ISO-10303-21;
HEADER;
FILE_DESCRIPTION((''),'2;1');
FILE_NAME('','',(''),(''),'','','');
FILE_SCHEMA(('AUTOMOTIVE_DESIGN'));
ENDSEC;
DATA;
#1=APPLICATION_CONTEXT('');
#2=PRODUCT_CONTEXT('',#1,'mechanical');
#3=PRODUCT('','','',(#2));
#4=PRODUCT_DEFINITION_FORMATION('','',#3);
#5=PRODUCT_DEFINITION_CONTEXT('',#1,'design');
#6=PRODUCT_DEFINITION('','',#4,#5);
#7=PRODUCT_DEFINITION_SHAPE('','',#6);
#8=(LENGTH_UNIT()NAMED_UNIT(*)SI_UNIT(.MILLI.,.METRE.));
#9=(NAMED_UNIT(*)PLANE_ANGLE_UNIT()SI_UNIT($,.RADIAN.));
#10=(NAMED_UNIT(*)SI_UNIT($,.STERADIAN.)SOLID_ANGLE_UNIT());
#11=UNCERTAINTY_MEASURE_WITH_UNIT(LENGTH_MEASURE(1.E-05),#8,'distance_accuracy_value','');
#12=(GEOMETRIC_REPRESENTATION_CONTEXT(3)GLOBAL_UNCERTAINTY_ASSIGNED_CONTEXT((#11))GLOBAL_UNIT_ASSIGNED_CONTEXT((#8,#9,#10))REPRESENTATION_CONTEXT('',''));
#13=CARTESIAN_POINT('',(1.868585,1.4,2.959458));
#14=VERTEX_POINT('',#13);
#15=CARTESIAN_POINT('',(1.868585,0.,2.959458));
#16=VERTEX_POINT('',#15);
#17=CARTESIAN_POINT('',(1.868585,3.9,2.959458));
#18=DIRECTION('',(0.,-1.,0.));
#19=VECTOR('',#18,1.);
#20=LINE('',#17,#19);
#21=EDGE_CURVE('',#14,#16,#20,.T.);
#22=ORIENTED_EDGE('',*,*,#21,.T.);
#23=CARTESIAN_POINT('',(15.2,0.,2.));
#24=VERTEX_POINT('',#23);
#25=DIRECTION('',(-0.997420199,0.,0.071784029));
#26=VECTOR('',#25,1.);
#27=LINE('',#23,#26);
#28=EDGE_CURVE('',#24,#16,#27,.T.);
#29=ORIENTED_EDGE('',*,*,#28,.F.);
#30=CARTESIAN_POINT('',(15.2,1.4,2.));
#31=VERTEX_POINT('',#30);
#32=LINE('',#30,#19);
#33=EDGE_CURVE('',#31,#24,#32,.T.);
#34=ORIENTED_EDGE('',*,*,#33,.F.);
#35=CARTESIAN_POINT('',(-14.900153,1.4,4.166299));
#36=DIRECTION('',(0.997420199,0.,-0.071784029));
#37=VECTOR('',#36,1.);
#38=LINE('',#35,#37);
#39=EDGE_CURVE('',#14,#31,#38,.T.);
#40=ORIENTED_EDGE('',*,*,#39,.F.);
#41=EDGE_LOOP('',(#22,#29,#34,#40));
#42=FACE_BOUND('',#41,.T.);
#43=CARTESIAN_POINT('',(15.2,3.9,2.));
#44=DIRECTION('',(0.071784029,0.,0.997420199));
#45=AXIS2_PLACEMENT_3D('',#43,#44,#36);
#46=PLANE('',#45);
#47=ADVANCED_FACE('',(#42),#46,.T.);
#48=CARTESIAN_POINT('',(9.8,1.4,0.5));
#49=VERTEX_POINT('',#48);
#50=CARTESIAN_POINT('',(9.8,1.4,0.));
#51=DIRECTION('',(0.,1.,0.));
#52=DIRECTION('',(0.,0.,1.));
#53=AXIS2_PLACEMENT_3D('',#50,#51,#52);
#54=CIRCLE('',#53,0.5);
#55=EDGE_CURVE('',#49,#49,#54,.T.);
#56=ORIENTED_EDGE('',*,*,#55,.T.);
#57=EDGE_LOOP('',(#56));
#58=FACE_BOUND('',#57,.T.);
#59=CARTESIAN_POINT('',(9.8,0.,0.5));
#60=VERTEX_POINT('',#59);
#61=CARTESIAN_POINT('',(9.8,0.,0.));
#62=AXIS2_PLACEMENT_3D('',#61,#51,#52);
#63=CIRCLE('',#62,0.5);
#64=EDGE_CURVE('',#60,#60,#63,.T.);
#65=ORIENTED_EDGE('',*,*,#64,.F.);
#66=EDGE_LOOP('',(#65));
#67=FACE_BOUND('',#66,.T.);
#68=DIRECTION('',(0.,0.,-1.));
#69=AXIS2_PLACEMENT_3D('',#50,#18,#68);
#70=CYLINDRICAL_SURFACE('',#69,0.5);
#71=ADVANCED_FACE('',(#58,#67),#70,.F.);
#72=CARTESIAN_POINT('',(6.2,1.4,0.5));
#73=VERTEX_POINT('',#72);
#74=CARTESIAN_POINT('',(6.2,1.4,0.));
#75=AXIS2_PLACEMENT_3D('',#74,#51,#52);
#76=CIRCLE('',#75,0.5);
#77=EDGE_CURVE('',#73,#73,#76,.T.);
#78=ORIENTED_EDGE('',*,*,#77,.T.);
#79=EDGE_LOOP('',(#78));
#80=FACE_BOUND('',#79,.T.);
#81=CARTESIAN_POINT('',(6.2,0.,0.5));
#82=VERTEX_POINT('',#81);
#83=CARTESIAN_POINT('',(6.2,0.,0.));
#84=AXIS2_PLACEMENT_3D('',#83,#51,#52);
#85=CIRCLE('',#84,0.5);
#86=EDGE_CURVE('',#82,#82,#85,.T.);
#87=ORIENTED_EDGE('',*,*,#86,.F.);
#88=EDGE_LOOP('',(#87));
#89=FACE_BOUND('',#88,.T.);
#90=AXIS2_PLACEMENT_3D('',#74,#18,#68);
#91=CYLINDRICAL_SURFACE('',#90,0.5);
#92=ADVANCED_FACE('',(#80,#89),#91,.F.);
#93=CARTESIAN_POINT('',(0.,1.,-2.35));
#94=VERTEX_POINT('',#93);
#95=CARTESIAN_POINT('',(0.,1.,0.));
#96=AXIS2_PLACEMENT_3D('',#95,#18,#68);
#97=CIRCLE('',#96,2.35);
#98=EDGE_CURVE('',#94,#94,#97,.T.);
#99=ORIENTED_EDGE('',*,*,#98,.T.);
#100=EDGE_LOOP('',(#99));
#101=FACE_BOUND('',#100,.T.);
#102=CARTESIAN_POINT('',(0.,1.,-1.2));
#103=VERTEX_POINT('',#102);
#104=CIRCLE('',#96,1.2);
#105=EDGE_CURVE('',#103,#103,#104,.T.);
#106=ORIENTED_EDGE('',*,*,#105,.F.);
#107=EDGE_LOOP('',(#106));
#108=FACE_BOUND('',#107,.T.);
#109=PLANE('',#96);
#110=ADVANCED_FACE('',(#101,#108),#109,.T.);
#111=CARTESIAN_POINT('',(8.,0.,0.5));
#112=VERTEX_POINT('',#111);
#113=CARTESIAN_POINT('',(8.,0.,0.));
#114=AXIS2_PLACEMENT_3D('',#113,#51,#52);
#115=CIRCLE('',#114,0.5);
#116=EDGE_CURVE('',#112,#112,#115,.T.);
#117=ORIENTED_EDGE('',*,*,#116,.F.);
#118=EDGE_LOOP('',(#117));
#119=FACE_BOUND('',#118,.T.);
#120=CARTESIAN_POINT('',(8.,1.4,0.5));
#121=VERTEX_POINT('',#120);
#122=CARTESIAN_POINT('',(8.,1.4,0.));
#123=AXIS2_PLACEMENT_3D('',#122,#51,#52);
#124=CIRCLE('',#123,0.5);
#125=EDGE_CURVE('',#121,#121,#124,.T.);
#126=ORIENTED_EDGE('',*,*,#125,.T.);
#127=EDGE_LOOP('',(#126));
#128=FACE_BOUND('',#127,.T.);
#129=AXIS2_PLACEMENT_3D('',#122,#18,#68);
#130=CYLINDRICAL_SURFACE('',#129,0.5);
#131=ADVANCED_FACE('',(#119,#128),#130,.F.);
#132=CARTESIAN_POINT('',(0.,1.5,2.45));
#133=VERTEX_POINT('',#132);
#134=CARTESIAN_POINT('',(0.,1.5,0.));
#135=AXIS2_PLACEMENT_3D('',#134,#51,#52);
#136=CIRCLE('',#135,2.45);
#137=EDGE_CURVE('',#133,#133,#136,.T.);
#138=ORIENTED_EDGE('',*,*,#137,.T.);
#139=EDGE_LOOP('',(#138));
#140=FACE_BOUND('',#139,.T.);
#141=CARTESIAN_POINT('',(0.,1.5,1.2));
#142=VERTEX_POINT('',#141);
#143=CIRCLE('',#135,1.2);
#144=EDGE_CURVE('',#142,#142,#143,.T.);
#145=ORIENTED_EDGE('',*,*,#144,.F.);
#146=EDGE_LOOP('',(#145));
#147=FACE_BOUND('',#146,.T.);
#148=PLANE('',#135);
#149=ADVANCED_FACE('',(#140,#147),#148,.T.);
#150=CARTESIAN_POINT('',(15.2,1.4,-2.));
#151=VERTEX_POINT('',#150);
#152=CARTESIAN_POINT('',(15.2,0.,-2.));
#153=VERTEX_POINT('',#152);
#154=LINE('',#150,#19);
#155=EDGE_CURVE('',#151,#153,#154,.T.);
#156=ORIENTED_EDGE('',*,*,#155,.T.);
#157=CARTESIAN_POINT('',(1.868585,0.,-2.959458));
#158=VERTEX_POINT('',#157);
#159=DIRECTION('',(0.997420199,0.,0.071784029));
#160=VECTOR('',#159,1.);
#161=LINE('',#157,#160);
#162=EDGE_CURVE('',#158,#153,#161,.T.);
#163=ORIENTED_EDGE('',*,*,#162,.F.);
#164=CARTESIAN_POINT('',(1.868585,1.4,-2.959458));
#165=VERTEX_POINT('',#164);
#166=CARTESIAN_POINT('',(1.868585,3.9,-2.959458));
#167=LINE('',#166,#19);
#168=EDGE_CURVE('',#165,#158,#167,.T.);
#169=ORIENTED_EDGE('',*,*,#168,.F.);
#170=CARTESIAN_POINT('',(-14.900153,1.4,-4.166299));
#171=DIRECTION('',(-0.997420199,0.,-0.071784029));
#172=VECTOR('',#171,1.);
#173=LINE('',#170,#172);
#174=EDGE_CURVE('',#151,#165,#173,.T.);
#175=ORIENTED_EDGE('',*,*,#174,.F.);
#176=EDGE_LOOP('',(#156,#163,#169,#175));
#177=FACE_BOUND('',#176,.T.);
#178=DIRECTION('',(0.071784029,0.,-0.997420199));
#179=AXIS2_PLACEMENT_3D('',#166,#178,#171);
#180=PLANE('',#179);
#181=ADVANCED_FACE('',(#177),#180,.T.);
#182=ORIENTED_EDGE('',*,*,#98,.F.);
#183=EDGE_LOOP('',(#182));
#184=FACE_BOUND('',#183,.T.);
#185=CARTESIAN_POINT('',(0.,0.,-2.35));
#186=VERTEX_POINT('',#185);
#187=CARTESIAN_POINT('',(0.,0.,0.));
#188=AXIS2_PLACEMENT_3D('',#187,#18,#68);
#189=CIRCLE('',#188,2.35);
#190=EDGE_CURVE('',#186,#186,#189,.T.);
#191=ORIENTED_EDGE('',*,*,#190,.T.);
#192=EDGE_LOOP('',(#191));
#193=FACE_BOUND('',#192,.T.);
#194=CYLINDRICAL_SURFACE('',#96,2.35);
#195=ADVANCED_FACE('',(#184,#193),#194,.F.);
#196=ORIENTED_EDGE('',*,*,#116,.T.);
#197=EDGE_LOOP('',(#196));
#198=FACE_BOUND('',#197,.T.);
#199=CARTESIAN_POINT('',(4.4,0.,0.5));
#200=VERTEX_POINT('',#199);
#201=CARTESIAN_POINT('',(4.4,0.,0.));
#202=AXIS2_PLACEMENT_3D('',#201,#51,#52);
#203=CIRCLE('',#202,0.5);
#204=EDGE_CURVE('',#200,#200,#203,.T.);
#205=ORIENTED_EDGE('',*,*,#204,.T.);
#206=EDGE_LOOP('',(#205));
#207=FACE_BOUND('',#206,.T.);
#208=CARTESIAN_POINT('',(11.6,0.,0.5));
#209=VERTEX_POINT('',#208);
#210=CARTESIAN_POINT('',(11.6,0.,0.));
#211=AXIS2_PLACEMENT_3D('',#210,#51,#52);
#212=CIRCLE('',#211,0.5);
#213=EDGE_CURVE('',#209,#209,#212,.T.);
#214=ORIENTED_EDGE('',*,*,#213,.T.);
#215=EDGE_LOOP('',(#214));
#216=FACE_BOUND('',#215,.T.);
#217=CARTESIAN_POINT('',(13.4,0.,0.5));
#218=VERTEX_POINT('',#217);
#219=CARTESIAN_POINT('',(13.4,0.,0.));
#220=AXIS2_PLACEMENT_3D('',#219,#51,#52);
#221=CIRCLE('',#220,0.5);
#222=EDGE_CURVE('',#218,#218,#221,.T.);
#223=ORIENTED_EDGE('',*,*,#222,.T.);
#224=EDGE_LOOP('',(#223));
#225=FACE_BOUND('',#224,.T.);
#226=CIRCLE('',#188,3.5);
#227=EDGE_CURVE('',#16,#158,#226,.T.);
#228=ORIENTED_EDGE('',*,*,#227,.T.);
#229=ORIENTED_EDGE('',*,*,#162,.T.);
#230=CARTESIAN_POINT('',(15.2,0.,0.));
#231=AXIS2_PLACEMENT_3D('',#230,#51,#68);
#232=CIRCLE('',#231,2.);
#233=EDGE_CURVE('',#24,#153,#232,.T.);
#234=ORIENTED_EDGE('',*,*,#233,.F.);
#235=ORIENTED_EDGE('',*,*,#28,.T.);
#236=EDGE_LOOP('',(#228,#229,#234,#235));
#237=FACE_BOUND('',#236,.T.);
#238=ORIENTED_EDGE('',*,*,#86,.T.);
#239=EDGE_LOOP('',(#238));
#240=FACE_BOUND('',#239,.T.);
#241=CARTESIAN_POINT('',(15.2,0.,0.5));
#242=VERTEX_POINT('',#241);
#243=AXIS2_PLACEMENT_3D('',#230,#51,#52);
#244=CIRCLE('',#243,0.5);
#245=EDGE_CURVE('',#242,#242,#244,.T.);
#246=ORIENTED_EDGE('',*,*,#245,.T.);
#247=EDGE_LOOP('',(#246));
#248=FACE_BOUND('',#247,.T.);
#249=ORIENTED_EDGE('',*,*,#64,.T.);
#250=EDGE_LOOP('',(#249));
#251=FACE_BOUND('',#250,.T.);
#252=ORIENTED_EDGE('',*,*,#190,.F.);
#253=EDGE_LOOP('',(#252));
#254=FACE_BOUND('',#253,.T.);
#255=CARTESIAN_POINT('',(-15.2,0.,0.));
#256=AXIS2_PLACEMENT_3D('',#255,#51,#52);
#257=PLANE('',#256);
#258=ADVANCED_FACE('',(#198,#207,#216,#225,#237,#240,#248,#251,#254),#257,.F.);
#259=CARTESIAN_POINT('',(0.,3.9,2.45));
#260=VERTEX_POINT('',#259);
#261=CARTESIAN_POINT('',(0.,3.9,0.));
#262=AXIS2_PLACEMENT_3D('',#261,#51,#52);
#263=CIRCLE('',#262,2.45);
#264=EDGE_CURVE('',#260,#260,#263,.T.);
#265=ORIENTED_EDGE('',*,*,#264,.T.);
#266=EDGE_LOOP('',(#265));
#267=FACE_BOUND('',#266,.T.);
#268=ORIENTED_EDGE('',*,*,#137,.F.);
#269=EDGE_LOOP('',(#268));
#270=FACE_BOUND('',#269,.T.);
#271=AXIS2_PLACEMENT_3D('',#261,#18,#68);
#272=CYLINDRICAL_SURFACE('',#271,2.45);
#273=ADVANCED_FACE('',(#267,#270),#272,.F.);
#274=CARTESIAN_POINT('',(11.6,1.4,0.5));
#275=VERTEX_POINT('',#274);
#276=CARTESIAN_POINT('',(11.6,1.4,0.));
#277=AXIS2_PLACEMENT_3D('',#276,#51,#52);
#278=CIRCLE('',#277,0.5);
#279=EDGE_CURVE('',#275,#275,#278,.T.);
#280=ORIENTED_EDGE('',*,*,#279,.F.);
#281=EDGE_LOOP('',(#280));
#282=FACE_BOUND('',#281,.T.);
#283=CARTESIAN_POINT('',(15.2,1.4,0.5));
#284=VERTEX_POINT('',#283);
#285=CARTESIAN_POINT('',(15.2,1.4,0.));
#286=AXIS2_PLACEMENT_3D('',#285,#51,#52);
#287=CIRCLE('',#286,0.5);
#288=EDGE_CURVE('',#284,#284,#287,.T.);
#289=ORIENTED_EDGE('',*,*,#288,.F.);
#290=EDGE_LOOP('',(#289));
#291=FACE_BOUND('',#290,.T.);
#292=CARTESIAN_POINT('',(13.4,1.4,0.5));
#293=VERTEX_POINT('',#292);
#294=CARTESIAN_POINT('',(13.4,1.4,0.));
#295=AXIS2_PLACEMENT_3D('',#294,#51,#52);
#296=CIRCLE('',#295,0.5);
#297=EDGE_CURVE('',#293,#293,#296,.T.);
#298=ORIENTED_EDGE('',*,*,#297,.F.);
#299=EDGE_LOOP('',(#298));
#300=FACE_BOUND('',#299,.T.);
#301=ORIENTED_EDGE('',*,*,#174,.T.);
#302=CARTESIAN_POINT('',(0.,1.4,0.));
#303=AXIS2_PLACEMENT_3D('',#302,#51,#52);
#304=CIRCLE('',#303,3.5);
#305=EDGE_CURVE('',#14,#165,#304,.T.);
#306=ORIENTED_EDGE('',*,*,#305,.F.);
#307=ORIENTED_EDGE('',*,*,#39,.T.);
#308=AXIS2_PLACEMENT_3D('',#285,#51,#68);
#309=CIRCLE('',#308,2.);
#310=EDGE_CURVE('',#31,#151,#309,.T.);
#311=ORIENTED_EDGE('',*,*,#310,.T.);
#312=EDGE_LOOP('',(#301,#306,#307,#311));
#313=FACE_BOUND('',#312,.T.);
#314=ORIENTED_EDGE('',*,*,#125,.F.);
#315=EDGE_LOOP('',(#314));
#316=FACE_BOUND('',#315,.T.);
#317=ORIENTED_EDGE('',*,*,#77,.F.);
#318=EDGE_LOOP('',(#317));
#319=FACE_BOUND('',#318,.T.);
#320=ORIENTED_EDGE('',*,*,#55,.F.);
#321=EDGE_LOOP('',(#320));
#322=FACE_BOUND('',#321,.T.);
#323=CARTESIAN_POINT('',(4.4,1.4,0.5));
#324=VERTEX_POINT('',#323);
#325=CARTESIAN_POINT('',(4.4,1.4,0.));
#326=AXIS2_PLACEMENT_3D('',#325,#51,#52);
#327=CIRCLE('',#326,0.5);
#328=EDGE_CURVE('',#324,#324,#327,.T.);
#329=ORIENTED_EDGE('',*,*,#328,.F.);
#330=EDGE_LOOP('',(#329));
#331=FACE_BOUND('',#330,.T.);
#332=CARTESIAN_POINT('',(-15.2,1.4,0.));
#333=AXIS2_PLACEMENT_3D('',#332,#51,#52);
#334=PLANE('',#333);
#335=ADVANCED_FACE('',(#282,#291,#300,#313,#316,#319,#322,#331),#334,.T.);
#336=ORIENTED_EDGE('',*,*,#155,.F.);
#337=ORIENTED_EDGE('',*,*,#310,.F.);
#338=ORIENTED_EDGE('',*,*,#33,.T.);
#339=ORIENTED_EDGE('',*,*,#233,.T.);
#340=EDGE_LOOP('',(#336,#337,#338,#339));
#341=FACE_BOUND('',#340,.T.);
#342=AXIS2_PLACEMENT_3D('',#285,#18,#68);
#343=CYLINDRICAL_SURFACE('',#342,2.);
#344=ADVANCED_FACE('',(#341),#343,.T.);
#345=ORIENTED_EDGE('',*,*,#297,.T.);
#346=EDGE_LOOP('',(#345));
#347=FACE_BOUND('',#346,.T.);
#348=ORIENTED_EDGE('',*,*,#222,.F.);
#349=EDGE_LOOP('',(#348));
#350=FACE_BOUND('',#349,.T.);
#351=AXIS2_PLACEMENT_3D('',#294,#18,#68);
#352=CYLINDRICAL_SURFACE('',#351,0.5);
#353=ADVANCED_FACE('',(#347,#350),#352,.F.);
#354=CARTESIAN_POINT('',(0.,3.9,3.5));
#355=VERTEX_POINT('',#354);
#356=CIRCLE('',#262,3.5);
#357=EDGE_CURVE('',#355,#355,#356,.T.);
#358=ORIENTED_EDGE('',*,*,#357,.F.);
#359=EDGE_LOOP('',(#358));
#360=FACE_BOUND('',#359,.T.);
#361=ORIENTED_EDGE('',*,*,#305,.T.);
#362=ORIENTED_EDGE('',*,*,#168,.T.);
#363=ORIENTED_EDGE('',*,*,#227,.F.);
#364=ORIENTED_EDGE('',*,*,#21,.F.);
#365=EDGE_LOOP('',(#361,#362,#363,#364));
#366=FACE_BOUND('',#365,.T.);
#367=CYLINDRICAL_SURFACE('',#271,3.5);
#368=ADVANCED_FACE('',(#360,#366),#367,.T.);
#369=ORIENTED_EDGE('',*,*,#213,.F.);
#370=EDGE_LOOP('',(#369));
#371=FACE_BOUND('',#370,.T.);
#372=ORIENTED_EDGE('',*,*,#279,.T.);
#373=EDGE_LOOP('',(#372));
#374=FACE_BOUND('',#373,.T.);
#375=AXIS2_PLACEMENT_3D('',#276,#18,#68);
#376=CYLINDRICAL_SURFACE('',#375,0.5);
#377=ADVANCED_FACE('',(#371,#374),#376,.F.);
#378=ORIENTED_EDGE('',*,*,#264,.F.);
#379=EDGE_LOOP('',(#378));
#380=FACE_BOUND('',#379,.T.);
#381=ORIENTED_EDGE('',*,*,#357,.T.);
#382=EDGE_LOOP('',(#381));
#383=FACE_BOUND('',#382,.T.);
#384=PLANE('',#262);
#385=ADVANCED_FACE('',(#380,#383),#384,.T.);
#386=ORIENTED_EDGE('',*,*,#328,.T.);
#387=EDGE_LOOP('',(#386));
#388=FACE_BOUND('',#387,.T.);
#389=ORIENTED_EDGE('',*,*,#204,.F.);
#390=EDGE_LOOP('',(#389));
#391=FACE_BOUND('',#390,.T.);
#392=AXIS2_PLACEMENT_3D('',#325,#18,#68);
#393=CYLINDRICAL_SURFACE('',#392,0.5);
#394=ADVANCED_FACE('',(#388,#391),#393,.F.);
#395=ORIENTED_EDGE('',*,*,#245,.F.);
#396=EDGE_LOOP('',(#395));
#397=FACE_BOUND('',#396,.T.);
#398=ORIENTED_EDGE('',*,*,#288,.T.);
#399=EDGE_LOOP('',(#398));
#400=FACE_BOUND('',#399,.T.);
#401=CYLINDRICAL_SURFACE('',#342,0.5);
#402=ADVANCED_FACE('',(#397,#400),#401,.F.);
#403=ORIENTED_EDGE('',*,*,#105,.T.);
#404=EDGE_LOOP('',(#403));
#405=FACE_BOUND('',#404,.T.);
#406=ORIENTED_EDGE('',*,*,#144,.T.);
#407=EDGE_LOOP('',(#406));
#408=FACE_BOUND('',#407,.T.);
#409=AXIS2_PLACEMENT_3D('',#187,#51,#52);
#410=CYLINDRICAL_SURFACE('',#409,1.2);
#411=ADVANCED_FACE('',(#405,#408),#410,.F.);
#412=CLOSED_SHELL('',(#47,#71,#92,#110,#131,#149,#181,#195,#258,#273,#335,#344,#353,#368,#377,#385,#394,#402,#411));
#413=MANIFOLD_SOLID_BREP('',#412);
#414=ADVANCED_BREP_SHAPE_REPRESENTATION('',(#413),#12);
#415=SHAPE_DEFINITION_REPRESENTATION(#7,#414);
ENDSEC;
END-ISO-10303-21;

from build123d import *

# Parameters (mm, degrees)
SKETCH1_R           = 0.5
BOSS_EXTRUDE1_DEPTH = 1.4
SKETCH2_R           = 2.35
CUT_EXTRUDE1_DEPTH  = 1
SKETCH3_R           = 3.5
SKETCH3_R_2         = 2.45
BOSS_EXTRUDE2_DEPTH = 2.5
SKETCH4_R           = 1.2
CUT_EXTRUDE2_DEPTH  = 2.4
SKETCH5_R           = 2.45
SKETCH5_R_2         = 1.2
BOSS_EXTRUDE3_DEPTH = 0.1
SKETCH6_W           = 35.735260114
SKETCH6_H           = 17.672039004
CUT_EXTRUDE4_DEPTH  = 4.9
CUT_EXTRUDE5_DEPTH  = 4.9


with BuildPart() as part:
    # Sketch1 → Boss-Extrude1 (new body)
    with BuildSketch(Plane(origin=(0, 0, 0), x_dir=(1, 0, 0), z_dir=(0, 1, 0))):
        with BuildLine():
            Line((-15.2, 2), (-2, 2.95))
            Line((-2, 2.95), (-2, 6.35))
            ThreePointArc((-2, 6.35), (0, 8.35), (2, 6.35))
            Line((2, 6.35), (2, 3.5))
            Line((2, 3.5), (15.2, 2))
            ThreePointArc((15.2, 2), (17.2, 0), (15.2, -2))
            Line((15.2, -2), (2, -3.5))
            Line((2, -3.5), (2, -6.35))
            ThreePointArc((2, -6.35), (0, -8.35), (-2, -6.35))
            Line((-2, -6.35), (-2, -2.95))
            Line((-2, -2.95), (-15.2, -2))
            ThreePointArc((-15.2, -2), (-17.2, 0), (-15.2, 2))
        make_face()
        with Locations((0, 6.35)):
            Circle(SKETCH1_R, mode=Mode.SUBTRACT)
        with Locations((0, 4.55)):
            Circle(SKETCH1_R, mode=Mode.SUBTRACT)
        with Locations((0, -4.55)):
            Circle(SKETCH1_R, mode=Mode.SUBTRACT)
        with Locations((0, -6.35)):
            Circle(SKETCH1_R, mode=Mode.SUBTRACT)
        with Locations((-15.2, 0)):
            Circle(SKETCH1_R, mode=Mode.SUBTRACT)
        with Locations((15.2, 0)):
            Circle(SKETCH1_R, mode=Mode.SUBTRACT)
        with Locations((-13.4, 0)):
            Circle(SKETCH1_R, mode=Mode.SUBTRACT)
        with Locations((-11.6, 0)):
            Circle(SKETCH1_R, mode=Mode.SUBTRACT)
        with Locations((-9.8, 0)):
            Circle(SKETCH1_R, mode=Mode.SUBTRACT)
        with Locations((-8, 0)):
            Circle(SKETCH1_R, mode=Mode.SUBTRACT)
        with Locations((-6.2, 0)):
            Circle(SKETCH1_R, mode=Mode.SUBTRACT)
        with Locations((-4.4, 0)):
            Circle(SKETCH1_R, mode=Mode.SUBTRACT)
        with Locations((13.4, 0)):
            Circle(SKETCH1_R, mode=Mode.SUBTRACT)
        with Locations((11.6, 0)):
            Circle(SKETCH1_R, mode=Mode.SUBTRACT)
        with Locations((9.8, 0)):
            Circle(SKETCH1_R, mode=Mode.SUBTRACT)
        with Locations((8, 0)):
            Circle(SKETCH1_R, mode=Mode.SUBTRACT)
        with Locations((6.2, 0)):
            Circle(SKETCH1_R, mode=Mode.SUBTRACT)
        with Locations((4.4, 0)):
            Circle(SKETCH1_R, mode=Mode.SUBTRACT)
    extrude(amount=BOSS_EXTRUDE1_DEPTH)

    # Sketch2 → Cut-Extrude1 (cut)
    with BuildSketch(Plane.XZ):
        Circle(SKETCH2_R)
    extrude(amount=-CUT_EXTRUDE1_DEPTH, mode=Mode.SUBTRACT)

    # Sketch3 → Boss-Extrude2 (add)
    with BuildSketch(Plane(origin=(0, 1.4, 0), x_dir=(1, 0, 0), z_dir=(0, 1, 0))):
        Circle(SKETCH3_R)
        Circle(SKETCH3_R_2, mode=Mode.SUBTRACT)
    extrude(amount=BOSS_EXTRUDE2_DEPTH)

    # Sketch4 → Cut-Extrude2 (cut, through all)
    with BuildSketch(Plane(origin=(0, 1.4, 0), x_dir=(1, 0, 0), z_dir=(0, 1, 0))):
        Circle(SKETCH4_R)
    extrude(amount=-CUT_EXTRUDE2_DEPTH, mode=Mode.SUBTRACT)

    # Sketch5 → Boss-Extrude3 (add)
    with BuildSketch(Plane(origin=(0, 1.4, 0), x_dir=(1, 0, 0), z_dir=(0, 1, 0))):
        Circle(SKETCH5_R)
        Circle(SKETCH5_R_2, mode=Mode.SUBTRACT)
    extrude(amount=BOSS_EXTRUDE3_DEPTH)

    # Sketch6 → Cut-Extrude4 (cut, through all)
    with BuildSketch(Plane.XZ):
        Rectangle(SKETCH6_W, SKETCH6_H)
        with BuildLine():
            Line((-1.868584713, -2.959457918), (-15.2, -2))
            ThreePointArc((-15.2, -2), (-17.2, 0), (-15.2, 2))
            Line((-15.2, 2), (-1.868584713, 2.959457918))
            ThreePointArc((-1.868584713, 2.959457918), (0, 3.5), (1.868584713, 2.959457918))
            Line((1.868584713, 2.959457918), (15.2, 2))
            ThreePointArc((15.2, 2), (17.2, 0), (15.2, -2))
            Line((15.2, -2), (1.868584713, -2.959457918))
            ThreePointArc((1.868584713, -2.959457918), (0, -3.5), (-1.868584713, -2.959457918))
        make_face(mode=Mode.SUBTRACT)
    extrude(amount=-CUT_EXTRUDE4_DEPTH, mode=Mode.SUBTRACT)

    # Sketch7 → Cut-Extrude5 (cut, through all)
    with BuildSketch(Plane.XZ):
        with BuildLine():
            Line((0, 3.5), (-17.731768104, 3.5))
            Line((-17.731768104, 3.5), (-17.731768104, -3.5))
            Line((-17.731768104, -3.5), (0, -3.5))
            ThreePointArc((0, -3.5), (-3.5, 0), (0, 3.5))
        make_face()
    extrude(amount=-CUT_EXTRUDE5_DEPTH, mode=Mode.SUBTRACT)


solid = part.part
